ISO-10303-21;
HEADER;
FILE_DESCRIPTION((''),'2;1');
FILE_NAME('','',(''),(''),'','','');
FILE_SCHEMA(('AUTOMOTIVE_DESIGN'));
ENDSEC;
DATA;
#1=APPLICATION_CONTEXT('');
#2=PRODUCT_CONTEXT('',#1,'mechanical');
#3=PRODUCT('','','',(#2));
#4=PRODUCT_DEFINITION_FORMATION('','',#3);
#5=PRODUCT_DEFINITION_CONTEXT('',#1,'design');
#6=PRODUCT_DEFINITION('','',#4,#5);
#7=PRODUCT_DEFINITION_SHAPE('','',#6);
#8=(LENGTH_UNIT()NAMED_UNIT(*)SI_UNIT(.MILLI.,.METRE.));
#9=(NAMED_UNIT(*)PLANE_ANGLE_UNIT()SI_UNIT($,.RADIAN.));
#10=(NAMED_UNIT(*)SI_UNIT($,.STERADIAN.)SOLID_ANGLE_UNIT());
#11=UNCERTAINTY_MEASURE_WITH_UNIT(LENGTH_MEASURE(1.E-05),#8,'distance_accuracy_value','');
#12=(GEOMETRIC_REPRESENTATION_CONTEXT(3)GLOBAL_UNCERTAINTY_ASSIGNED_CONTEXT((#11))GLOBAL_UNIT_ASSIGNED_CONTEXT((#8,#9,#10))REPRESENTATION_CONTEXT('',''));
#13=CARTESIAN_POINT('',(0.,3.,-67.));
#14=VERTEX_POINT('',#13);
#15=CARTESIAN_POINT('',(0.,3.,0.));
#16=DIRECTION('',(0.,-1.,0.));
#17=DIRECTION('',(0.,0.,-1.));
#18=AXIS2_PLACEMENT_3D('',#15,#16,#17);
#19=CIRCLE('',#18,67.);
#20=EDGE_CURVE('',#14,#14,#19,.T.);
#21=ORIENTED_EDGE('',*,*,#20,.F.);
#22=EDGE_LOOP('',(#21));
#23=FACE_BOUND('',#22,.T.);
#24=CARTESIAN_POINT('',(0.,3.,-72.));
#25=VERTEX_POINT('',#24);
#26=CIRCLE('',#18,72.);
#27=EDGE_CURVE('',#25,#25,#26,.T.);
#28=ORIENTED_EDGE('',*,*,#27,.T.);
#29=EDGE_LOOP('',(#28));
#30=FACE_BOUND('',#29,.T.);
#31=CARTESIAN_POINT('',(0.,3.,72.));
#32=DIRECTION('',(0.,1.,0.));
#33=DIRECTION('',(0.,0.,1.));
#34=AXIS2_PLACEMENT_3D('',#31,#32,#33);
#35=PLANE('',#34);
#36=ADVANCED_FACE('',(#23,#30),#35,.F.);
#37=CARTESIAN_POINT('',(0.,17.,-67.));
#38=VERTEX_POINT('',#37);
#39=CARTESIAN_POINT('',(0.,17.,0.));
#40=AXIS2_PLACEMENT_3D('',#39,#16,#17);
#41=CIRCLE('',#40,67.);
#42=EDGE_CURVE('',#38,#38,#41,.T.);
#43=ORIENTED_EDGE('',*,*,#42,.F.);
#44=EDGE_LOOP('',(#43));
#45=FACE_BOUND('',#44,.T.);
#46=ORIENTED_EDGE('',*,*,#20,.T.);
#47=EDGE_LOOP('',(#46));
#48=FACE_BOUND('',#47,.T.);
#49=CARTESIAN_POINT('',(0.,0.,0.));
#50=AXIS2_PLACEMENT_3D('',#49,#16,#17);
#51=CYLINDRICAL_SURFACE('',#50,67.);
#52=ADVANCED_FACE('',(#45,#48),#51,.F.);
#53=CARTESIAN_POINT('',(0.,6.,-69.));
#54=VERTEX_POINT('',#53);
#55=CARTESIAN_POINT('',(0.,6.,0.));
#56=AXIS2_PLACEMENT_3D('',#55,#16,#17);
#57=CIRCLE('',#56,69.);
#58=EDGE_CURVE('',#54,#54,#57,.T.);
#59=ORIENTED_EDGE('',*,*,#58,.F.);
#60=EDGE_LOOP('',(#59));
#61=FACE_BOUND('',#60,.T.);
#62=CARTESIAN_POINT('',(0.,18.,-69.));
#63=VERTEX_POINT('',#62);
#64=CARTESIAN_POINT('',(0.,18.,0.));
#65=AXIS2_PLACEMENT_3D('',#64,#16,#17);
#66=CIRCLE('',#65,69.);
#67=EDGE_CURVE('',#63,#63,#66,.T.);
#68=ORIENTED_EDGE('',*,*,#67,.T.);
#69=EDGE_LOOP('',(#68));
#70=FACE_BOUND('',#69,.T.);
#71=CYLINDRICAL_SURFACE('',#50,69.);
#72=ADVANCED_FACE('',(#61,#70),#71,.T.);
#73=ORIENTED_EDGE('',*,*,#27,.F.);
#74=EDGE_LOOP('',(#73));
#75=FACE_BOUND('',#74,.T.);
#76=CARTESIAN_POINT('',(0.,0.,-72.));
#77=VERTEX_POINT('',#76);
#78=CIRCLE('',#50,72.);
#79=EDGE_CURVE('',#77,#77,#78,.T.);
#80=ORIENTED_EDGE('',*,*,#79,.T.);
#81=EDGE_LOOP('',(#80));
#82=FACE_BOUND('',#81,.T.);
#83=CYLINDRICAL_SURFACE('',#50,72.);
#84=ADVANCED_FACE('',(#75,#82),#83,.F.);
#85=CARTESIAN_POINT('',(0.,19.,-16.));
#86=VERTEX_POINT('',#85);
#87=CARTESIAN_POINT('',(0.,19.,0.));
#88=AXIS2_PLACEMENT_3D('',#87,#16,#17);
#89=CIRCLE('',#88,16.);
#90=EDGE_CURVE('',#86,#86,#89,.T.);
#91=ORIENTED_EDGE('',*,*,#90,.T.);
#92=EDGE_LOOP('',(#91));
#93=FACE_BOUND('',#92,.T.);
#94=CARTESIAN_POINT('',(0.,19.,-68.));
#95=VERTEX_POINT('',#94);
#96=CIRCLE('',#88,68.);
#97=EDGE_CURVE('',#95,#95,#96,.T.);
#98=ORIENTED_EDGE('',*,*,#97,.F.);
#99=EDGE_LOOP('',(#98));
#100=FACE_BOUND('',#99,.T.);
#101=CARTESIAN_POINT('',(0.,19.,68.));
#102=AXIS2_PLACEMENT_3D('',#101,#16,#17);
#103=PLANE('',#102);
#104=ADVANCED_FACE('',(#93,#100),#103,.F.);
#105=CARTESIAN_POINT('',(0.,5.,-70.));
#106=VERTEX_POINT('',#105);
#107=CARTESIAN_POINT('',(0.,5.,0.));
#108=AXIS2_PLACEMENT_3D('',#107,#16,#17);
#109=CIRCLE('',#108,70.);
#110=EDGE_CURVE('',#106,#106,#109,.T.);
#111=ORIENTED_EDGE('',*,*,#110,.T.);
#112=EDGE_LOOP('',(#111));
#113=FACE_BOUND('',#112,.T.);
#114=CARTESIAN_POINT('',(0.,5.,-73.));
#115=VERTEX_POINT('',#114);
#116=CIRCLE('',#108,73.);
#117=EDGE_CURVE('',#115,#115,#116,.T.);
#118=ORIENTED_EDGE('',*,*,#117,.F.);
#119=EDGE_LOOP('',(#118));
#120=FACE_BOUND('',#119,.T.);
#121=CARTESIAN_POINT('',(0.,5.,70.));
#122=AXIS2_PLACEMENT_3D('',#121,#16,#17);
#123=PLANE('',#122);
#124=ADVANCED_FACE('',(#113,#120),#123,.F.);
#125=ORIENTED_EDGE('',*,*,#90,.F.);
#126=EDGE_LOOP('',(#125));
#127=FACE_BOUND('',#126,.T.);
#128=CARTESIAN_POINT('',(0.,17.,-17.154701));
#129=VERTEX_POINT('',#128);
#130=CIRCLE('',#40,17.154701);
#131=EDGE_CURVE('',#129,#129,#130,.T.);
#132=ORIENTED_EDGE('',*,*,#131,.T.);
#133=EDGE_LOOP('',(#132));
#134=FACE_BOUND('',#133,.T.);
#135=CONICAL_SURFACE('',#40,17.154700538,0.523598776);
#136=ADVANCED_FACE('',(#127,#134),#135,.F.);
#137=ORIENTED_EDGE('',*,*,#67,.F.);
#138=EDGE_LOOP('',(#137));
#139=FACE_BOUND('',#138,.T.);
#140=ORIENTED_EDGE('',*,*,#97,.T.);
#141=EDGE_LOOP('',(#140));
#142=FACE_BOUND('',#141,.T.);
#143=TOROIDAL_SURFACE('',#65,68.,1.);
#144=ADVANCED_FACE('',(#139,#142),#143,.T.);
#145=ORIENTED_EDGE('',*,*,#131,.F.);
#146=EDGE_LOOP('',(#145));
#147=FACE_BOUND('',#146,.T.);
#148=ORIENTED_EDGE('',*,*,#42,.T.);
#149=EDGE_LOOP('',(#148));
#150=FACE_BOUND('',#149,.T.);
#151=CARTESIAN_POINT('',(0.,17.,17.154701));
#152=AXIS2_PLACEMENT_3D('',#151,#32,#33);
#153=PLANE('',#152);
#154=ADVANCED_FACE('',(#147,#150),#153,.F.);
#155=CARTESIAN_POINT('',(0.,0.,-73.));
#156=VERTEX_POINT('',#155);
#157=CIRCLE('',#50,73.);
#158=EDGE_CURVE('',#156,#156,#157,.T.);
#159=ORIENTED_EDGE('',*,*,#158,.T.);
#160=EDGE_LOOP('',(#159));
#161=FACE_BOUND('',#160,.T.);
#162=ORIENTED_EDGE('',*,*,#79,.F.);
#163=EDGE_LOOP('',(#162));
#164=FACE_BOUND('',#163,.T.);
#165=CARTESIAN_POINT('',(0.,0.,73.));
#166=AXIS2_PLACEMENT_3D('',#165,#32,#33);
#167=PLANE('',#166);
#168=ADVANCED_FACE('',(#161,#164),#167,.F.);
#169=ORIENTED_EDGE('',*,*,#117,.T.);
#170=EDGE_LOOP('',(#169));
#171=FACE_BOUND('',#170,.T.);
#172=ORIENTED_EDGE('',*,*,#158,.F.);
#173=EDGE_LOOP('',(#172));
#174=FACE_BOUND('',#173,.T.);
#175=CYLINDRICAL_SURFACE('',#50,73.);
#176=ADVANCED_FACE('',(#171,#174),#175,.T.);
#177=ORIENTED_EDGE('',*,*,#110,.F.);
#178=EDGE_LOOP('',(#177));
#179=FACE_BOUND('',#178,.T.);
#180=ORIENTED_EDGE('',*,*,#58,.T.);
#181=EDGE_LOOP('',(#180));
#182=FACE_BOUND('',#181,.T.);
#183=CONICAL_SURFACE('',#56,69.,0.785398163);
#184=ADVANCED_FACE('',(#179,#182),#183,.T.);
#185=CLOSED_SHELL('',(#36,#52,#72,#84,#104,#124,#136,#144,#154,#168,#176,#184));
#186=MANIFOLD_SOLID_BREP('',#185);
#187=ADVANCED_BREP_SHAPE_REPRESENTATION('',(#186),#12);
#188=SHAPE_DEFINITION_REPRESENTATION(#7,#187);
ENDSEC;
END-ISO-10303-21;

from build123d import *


with BuildPart() as part:
    # Schizzo1 → Rivoluzione1 (revolve)
    with BuildSketch(Plane(origin=(0, 0, 0), x_dir=(0, 0, -1), z_dir=(1, 0, 0)), mode=Mode.PRIVATE) as rivoluzione1_sk:
        with BuildLine():
            Line((-73, 0), (-72, 0))
            Line((-72, 0), (-72, 3))
            Line((-72, 3), (-67, 3))
            Line((-67, 3), (-67, 17))
            Line((-67, 17), (-17.154700538, 17))
            Line((-17.154700538, 17), (-16, 19))
            Line((-16, 19), (-68, 19))
            ThreePointArc((-68, 19), (-68.707106781, 18.707106781), (-69, 18))
            Line((-69, 18), (-69, 6))
            Line((-69, 6), (-70, 5))
            Line((-70, 5), (-73, 5))
            Line((-73, 5), (-73, 0))
        make_face()
    revolve(rivoluzione1_sk.sketch.rotate(Axis((0, 0, 0), (0, 1, 0)), 180), axis=Axis((0, 0, 0), (0, 1, 0)))


solid = part.part
